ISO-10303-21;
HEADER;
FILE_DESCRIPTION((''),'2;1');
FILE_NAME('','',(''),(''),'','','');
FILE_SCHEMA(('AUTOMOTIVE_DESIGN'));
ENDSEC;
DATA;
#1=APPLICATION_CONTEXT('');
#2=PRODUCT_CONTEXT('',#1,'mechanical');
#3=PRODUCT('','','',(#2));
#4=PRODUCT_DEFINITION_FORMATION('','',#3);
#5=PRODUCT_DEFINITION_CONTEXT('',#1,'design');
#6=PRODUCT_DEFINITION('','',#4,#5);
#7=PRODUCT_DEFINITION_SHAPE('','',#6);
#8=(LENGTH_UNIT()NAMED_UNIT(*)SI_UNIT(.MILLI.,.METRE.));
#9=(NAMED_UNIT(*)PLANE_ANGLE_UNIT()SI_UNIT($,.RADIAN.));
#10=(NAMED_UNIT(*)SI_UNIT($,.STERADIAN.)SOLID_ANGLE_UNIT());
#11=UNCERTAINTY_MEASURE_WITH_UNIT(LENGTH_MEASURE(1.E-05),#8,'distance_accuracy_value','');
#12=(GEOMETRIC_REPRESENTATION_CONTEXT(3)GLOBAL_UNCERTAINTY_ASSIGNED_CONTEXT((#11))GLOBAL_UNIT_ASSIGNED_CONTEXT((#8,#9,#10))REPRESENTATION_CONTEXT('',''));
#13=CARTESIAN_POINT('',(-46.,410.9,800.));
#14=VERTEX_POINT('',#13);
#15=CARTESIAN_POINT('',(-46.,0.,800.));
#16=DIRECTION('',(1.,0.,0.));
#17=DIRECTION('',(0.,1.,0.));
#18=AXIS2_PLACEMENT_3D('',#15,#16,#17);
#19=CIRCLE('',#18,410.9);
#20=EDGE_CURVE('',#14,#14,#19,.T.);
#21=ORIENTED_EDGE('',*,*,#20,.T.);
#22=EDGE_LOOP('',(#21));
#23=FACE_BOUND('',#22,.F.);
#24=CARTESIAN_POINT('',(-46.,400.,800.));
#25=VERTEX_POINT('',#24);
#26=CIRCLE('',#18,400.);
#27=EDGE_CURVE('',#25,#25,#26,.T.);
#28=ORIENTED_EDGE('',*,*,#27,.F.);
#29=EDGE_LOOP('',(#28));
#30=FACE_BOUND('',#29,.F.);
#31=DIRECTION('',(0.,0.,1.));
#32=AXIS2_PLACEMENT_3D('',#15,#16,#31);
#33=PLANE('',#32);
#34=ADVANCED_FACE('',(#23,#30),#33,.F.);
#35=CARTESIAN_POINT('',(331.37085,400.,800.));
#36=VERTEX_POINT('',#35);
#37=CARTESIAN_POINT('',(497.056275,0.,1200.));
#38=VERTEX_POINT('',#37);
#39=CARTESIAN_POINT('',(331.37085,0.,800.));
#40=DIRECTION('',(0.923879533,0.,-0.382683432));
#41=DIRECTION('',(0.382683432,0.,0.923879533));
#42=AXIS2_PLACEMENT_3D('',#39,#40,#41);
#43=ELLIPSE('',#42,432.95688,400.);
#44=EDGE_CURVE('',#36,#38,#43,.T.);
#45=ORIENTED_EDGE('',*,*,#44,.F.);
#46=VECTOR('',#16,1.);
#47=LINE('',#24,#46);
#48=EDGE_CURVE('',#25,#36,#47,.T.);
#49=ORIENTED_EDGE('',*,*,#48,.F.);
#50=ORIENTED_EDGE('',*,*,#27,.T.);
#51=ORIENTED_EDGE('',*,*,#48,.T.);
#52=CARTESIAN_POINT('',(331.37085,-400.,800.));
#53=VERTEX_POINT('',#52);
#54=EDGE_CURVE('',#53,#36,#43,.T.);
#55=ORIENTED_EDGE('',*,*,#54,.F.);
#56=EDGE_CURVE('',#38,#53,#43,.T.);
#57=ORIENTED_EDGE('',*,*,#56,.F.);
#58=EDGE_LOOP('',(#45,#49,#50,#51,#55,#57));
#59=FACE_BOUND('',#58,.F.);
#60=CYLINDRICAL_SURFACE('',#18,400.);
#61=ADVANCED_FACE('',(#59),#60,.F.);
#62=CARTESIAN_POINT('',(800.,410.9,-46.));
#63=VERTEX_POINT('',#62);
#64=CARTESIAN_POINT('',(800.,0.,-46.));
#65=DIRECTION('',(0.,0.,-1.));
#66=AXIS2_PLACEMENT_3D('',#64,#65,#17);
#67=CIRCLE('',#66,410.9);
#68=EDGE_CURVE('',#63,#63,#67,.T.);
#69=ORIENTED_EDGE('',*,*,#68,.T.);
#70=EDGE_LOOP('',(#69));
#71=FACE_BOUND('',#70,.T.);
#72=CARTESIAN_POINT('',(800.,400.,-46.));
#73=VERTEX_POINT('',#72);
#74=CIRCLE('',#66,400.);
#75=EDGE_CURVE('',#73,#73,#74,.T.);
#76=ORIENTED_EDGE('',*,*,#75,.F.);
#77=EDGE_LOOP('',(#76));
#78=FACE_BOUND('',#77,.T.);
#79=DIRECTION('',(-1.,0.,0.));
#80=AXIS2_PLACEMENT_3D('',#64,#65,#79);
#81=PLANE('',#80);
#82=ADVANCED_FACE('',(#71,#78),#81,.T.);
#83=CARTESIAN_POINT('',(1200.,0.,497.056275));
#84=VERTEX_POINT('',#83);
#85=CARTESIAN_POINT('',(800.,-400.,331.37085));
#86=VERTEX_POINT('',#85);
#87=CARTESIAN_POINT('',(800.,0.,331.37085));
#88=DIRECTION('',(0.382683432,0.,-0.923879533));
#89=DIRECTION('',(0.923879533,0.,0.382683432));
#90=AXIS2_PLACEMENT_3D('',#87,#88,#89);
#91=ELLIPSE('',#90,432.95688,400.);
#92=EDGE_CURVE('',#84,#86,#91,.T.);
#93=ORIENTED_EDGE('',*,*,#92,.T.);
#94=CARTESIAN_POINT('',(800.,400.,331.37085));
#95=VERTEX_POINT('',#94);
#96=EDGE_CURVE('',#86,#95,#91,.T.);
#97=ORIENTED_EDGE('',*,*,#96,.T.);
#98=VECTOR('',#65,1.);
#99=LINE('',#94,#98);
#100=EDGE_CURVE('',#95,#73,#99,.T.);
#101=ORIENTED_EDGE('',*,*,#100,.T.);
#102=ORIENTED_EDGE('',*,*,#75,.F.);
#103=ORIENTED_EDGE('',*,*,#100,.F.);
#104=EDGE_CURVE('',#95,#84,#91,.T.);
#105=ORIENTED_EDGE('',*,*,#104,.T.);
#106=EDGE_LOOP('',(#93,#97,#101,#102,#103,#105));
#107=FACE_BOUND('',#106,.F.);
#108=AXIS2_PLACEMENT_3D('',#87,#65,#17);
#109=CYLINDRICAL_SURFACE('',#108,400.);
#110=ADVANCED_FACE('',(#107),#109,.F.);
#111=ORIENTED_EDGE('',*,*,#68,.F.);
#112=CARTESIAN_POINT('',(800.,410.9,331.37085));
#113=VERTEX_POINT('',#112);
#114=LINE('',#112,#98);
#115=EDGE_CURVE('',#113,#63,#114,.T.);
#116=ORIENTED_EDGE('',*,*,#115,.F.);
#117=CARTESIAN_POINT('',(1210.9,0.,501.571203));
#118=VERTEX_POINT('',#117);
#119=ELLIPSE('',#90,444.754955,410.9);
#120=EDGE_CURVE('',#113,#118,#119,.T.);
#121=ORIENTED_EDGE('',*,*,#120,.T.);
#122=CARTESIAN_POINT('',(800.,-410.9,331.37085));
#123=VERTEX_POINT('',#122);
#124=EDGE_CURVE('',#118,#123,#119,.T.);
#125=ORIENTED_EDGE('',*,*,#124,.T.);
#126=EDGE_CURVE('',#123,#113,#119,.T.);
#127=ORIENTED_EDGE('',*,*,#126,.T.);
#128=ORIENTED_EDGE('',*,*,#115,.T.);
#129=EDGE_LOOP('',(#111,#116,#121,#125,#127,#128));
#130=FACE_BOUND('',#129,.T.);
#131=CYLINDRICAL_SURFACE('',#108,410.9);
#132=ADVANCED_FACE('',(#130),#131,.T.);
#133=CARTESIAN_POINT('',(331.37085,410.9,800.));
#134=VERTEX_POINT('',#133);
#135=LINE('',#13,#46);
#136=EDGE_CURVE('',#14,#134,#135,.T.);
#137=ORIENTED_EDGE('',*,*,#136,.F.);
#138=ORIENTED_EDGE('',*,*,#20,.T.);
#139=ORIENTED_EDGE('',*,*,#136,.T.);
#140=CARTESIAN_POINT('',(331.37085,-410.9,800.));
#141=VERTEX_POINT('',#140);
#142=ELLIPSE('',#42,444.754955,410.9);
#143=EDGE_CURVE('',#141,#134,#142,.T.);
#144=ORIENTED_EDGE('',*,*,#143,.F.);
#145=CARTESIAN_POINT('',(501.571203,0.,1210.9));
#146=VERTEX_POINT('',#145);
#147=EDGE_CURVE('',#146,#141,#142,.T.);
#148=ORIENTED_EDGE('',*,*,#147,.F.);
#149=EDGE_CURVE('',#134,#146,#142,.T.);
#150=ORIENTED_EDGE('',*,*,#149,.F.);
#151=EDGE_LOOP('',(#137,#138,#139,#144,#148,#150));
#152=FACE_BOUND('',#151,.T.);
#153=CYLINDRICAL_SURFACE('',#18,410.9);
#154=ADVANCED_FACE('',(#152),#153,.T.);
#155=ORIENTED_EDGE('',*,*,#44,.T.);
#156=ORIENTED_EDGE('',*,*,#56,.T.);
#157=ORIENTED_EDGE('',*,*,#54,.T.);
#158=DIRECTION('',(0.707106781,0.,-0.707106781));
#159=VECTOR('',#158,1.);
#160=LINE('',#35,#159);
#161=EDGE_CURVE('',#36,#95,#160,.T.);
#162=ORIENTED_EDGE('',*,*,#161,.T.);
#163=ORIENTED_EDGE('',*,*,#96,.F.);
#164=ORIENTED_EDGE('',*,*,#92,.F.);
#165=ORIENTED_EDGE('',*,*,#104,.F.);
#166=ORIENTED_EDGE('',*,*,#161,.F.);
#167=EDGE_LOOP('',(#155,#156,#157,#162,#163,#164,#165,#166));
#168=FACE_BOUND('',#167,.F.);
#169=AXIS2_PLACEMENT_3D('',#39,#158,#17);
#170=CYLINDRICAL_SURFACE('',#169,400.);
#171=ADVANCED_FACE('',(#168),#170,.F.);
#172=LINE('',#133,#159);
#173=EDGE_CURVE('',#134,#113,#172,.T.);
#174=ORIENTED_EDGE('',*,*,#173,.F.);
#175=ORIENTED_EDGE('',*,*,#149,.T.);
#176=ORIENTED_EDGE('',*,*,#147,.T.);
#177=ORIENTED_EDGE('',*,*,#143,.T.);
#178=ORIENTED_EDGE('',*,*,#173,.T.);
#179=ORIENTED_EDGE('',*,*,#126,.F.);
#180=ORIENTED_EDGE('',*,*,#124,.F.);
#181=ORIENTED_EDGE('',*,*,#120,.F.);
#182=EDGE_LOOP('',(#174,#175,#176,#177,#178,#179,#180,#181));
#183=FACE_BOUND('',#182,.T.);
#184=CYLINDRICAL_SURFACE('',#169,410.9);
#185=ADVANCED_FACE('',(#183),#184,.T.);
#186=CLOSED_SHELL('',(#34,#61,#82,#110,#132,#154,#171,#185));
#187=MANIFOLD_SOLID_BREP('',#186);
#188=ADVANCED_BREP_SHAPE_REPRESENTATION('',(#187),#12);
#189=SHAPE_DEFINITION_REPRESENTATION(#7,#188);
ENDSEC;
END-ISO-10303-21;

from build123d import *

# Parameters (mm, degrees)
F2_R   = 410.9
F2_R_2 = 400


with BuildPart() as f3:
    # F3: sweep along a path in F0
    with BuildLine(Plane.XZ) as f3_path:
        Line((-46, 800), (331.3708498985, 800))
        Line((331.3708498985, 800), (800, 331.3708498985))
        Line((800, 331.3708498985), (800, -46))
    # F2 (on line) → F3 (sweep)
    with BuildSketch(Plane.YZ.offset(-46)):
        with Locations((0, 800)):
            Circle(F2_R)
        with Locations((0, 800)):
            Circle(F2_R_2, mode=Mode.SUBTRACT)
    sweep(path=f3_path.line, transition=Transition.RIGHT)


solid = f3.part
